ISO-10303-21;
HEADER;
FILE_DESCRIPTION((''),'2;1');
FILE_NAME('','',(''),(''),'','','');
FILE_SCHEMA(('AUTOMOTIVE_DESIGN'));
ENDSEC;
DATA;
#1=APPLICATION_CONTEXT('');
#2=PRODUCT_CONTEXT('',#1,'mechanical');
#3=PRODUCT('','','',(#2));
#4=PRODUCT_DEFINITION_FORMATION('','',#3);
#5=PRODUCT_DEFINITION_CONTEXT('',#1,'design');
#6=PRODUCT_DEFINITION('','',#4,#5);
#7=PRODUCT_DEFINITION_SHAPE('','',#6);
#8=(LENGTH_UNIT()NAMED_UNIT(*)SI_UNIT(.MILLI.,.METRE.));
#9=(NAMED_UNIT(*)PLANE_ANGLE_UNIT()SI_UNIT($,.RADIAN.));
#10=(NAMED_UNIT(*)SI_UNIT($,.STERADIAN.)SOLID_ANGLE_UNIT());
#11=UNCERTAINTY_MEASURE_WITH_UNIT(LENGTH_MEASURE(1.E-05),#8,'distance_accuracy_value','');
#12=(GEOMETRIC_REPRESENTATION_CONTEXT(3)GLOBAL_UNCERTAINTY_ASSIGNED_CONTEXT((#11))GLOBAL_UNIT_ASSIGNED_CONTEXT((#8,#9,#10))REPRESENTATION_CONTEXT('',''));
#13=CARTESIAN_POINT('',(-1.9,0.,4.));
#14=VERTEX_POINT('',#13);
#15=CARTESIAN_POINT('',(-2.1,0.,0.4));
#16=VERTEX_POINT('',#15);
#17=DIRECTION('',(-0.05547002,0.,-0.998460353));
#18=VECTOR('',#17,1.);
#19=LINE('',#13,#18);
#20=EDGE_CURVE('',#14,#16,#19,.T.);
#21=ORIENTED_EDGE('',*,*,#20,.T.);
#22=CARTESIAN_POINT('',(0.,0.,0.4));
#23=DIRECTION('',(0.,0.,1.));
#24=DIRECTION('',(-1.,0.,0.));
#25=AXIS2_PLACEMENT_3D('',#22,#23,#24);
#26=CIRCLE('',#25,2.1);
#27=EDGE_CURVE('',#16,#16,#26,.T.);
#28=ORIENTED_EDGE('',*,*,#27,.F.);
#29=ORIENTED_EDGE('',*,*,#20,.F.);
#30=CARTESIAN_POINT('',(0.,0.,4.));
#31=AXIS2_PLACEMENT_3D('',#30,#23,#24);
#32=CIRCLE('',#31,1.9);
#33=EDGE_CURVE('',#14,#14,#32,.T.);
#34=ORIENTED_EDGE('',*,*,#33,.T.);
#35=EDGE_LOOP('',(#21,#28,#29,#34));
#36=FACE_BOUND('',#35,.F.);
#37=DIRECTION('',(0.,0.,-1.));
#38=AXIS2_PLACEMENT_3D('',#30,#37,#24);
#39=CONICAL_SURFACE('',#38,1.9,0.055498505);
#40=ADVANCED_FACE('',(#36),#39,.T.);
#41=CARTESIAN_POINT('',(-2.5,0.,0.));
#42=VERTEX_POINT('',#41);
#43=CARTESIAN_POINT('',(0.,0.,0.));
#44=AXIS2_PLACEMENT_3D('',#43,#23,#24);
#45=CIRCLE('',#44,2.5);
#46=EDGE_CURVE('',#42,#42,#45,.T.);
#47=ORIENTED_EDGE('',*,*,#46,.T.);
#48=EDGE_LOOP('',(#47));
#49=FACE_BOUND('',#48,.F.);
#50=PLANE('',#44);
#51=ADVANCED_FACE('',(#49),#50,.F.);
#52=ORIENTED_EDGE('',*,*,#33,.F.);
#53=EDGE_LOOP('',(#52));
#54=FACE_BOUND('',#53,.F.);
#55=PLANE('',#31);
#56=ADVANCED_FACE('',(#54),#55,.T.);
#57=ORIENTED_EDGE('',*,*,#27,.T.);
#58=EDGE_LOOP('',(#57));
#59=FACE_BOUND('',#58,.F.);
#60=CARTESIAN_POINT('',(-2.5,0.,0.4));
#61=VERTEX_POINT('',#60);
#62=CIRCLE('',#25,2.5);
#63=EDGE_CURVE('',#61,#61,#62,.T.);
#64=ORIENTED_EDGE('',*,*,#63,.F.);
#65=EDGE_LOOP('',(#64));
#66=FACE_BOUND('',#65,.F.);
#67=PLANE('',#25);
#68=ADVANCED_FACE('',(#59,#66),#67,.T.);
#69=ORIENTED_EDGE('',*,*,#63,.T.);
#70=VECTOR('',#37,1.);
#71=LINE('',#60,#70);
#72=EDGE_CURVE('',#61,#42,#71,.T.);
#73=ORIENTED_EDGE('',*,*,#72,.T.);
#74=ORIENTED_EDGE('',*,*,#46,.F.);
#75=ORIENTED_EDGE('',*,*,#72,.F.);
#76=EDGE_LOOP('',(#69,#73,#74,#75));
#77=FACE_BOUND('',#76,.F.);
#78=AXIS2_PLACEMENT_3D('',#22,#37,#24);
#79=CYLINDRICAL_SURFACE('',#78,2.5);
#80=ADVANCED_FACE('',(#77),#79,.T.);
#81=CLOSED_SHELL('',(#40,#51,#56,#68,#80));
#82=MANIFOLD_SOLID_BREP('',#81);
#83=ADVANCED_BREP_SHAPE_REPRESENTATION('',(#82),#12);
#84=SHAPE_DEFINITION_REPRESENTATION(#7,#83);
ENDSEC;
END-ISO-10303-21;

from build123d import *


with BuildPart() as part:
    # Sketch → Revolution (revolve)
    with BuildSketch(Plane.XZ):
        Polygon((-2.5, 0.4), (-2.5, 0), (0, 0), (0, 4), (-1.9, 4), (-2.1, 0.4), align=None)
    revolve(axis=Axis((0, 0, 0), (0, 0, 1)))


solid = part.part
